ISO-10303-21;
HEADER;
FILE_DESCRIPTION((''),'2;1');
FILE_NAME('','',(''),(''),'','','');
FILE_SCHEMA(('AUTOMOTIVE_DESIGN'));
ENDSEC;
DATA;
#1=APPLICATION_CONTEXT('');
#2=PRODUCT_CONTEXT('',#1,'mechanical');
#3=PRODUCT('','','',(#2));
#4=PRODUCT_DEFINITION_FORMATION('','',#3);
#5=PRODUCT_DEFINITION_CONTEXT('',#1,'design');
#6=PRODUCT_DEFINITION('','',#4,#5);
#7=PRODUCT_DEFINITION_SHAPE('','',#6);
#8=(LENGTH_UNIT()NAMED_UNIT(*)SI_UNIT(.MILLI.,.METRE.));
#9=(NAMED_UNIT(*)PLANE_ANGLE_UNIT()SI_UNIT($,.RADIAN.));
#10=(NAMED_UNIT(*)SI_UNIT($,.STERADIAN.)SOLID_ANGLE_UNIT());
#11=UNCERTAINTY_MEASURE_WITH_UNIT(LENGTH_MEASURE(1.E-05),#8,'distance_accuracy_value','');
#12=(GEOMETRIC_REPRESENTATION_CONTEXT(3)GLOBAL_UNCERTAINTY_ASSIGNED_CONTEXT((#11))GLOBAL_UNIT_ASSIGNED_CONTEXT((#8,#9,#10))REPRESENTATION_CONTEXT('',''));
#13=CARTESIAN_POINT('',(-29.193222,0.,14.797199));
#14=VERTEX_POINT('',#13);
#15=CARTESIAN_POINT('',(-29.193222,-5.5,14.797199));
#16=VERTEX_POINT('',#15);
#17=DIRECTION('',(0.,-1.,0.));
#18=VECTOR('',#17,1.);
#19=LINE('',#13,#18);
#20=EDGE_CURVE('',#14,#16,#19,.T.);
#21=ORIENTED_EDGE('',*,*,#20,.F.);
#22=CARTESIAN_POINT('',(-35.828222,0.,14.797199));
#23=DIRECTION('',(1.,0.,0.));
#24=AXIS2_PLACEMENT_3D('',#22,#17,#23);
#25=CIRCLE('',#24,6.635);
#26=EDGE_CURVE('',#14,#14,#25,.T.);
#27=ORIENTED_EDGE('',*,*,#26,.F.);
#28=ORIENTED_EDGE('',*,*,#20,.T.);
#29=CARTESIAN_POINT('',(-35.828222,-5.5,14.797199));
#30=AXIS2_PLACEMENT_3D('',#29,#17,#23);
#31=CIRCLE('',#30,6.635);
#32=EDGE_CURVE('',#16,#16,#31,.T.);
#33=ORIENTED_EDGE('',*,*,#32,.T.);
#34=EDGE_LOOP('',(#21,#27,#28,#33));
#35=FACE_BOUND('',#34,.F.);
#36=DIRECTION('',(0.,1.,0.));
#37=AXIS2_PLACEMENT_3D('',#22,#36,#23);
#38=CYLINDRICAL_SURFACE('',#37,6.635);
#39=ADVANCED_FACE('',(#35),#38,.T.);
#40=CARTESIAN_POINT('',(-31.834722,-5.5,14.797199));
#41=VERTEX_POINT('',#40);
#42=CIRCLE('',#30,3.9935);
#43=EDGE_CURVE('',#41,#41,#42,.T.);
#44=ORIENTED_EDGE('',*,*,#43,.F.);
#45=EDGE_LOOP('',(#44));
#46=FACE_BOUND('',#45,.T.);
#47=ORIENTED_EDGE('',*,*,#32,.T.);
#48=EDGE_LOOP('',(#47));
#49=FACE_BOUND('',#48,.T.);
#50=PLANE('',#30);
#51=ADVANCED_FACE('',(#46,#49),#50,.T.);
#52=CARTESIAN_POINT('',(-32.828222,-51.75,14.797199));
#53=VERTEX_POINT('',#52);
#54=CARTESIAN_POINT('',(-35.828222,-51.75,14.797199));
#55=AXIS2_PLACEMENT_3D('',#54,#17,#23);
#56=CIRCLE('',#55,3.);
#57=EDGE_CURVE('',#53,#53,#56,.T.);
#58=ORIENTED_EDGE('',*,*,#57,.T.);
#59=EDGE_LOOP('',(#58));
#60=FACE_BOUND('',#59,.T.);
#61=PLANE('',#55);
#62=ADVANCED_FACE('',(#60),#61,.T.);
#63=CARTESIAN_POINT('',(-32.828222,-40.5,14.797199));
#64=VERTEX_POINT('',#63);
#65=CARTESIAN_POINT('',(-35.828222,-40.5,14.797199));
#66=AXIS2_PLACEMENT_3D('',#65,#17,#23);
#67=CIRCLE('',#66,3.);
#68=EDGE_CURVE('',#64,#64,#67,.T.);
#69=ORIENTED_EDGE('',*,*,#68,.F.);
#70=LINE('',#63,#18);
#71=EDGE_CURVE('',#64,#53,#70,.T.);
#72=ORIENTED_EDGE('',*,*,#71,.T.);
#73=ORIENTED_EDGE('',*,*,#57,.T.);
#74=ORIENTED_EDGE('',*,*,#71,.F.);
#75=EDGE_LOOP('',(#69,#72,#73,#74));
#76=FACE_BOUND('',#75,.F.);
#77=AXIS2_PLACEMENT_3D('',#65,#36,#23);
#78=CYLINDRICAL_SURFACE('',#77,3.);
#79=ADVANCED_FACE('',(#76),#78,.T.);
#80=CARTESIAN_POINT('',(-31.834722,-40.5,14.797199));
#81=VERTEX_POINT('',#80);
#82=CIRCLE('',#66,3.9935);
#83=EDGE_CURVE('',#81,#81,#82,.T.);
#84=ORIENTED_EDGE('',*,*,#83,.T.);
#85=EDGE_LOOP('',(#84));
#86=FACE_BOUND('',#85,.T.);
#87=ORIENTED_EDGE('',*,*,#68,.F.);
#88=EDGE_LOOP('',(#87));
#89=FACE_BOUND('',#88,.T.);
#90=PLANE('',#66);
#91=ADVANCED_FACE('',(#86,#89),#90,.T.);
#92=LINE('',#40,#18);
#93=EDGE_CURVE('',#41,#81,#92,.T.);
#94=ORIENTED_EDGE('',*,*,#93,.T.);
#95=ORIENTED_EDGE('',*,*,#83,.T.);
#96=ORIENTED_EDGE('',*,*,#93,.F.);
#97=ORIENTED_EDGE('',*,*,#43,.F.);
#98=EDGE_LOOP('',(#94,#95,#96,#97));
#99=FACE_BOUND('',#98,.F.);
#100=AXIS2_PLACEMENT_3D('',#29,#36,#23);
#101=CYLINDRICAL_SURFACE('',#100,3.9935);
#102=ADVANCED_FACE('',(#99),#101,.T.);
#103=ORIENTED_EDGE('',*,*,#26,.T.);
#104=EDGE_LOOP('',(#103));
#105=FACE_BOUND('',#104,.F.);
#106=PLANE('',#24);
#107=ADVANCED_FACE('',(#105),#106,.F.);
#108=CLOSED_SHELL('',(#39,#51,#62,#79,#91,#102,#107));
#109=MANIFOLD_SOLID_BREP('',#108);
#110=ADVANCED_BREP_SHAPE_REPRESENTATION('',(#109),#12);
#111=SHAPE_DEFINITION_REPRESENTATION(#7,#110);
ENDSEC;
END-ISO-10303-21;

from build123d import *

# Parameters (mm, degrees)
F0_R     = 6.635
F1_DEPTH = 5.5
F2_R     = 3.9935
F3_DEPTH = 35
F4_R     = 3
F5_DEPTH = 11.25


with BuildPart() as f1:
    # F0 (on Front) → F1 (new body)
    with BuildSketch(Plane.XZ):
        with Locations((-35.828222, 14.797199)):
            Circle(F0_R)
    extrude(amount=F1_DEPTH)

    # F2 (on face) → F3 (join)
    with BuildSketch(Plane.XZ.offset(5.5)):
        with Locations((-35.828222, 14.797199)):
            Circle(F2_R)
    extrude(amount=F3_DEPTH)

    # F4 (on face) → F5 (join)
    with BuildSketch(Plane.XZ.offset(40.5)):
        with Locations((-35.828222, 14.797199)):
            Circle(F4_R)
    extrude(amount=F5_DEPTH)


solid = f1.part
